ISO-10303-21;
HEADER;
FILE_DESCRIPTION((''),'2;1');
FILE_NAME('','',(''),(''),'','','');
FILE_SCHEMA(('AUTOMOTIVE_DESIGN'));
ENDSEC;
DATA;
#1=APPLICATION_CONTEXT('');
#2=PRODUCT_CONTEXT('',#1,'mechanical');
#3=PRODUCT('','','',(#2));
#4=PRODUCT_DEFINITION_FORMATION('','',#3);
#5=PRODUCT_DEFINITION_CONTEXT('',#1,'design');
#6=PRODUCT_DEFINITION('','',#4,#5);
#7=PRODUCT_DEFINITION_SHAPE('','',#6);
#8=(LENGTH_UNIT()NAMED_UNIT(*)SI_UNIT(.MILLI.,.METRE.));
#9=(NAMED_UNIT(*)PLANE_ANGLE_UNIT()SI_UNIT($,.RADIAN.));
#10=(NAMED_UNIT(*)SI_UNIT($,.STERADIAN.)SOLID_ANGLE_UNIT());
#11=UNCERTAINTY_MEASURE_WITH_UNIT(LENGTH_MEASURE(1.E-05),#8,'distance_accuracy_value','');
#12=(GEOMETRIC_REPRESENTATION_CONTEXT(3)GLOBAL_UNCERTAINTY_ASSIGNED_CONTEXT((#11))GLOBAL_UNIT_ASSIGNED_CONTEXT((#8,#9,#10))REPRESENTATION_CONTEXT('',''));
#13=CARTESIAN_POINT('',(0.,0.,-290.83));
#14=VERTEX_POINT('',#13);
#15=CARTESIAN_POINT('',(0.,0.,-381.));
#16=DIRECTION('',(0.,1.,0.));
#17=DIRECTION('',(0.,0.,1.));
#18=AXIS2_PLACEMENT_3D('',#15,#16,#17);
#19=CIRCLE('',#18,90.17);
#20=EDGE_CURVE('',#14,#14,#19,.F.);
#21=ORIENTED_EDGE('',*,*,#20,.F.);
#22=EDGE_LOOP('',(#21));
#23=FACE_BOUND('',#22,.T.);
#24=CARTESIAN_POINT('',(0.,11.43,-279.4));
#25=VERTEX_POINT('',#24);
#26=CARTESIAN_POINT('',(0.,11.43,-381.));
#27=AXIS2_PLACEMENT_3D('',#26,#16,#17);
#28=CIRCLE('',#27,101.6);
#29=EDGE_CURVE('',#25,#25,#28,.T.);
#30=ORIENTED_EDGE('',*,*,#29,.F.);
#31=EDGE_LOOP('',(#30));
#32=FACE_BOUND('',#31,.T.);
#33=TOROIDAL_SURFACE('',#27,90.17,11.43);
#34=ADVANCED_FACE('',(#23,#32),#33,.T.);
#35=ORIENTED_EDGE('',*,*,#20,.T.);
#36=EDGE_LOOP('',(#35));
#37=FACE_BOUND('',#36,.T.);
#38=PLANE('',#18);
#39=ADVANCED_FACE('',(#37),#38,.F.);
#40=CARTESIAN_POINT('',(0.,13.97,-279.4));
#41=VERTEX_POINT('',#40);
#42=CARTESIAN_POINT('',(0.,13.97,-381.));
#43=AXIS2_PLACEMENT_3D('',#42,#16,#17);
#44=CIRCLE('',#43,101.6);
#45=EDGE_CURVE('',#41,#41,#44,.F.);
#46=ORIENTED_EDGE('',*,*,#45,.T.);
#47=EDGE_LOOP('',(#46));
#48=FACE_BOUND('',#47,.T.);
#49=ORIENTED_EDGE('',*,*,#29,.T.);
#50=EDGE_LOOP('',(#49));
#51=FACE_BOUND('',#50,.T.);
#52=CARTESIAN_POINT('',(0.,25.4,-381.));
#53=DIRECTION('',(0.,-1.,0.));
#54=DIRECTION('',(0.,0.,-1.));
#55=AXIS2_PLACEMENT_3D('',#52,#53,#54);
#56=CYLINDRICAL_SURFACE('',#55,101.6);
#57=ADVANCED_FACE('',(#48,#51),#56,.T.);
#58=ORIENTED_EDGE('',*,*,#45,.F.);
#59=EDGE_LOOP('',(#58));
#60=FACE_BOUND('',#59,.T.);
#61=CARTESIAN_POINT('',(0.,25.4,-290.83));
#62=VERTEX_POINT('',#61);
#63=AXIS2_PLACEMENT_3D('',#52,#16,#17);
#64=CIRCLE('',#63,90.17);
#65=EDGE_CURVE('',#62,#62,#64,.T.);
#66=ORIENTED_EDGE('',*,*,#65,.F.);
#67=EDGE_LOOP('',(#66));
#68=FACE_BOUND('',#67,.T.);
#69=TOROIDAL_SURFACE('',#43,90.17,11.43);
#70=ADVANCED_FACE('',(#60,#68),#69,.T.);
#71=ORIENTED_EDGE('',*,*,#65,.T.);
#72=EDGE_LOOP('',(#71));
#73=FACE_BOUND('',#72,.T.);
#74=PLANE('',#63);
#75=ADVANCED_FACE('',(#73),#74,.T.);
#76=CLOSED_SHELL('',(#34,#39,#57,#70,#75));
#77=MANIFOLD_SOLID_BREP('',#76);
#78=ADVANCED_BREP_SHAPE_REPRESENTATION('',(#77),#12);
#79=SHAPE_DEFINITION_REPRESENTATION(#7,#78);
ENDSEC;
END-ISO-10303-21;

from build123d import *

# Parameters (mm, degrees)
SKETCH1_R           = 101.6
BOSS_EXTRUDE2_DEPTH = 25.4
FILLET1_R           = 11.43


with BuildPart() as part:
    # Sketch1 → Boss-Extrude2 (new body)
    with BuildSketch(Plane(origin=(0, 0, 0), x_dir=(1, 0, 0), z_dir=(0, 1, 0))):
        with Locations(Location((0, 381, 0), (0, 0, 270))):
            Circle(SKETCH1_R)
    extrude(amount=BOSS_EXTRUDE2_DEPTH)

    # Fillet1
    fillet1_edges = [part.edges().sort_by_distance(p)[0] for p in [
        (0, 0, -482.6),
        (0, 25.4, -482.6),
    ]]
    fillet(fillet1_edges, radius=FILLET1_R)


solid = part.part
